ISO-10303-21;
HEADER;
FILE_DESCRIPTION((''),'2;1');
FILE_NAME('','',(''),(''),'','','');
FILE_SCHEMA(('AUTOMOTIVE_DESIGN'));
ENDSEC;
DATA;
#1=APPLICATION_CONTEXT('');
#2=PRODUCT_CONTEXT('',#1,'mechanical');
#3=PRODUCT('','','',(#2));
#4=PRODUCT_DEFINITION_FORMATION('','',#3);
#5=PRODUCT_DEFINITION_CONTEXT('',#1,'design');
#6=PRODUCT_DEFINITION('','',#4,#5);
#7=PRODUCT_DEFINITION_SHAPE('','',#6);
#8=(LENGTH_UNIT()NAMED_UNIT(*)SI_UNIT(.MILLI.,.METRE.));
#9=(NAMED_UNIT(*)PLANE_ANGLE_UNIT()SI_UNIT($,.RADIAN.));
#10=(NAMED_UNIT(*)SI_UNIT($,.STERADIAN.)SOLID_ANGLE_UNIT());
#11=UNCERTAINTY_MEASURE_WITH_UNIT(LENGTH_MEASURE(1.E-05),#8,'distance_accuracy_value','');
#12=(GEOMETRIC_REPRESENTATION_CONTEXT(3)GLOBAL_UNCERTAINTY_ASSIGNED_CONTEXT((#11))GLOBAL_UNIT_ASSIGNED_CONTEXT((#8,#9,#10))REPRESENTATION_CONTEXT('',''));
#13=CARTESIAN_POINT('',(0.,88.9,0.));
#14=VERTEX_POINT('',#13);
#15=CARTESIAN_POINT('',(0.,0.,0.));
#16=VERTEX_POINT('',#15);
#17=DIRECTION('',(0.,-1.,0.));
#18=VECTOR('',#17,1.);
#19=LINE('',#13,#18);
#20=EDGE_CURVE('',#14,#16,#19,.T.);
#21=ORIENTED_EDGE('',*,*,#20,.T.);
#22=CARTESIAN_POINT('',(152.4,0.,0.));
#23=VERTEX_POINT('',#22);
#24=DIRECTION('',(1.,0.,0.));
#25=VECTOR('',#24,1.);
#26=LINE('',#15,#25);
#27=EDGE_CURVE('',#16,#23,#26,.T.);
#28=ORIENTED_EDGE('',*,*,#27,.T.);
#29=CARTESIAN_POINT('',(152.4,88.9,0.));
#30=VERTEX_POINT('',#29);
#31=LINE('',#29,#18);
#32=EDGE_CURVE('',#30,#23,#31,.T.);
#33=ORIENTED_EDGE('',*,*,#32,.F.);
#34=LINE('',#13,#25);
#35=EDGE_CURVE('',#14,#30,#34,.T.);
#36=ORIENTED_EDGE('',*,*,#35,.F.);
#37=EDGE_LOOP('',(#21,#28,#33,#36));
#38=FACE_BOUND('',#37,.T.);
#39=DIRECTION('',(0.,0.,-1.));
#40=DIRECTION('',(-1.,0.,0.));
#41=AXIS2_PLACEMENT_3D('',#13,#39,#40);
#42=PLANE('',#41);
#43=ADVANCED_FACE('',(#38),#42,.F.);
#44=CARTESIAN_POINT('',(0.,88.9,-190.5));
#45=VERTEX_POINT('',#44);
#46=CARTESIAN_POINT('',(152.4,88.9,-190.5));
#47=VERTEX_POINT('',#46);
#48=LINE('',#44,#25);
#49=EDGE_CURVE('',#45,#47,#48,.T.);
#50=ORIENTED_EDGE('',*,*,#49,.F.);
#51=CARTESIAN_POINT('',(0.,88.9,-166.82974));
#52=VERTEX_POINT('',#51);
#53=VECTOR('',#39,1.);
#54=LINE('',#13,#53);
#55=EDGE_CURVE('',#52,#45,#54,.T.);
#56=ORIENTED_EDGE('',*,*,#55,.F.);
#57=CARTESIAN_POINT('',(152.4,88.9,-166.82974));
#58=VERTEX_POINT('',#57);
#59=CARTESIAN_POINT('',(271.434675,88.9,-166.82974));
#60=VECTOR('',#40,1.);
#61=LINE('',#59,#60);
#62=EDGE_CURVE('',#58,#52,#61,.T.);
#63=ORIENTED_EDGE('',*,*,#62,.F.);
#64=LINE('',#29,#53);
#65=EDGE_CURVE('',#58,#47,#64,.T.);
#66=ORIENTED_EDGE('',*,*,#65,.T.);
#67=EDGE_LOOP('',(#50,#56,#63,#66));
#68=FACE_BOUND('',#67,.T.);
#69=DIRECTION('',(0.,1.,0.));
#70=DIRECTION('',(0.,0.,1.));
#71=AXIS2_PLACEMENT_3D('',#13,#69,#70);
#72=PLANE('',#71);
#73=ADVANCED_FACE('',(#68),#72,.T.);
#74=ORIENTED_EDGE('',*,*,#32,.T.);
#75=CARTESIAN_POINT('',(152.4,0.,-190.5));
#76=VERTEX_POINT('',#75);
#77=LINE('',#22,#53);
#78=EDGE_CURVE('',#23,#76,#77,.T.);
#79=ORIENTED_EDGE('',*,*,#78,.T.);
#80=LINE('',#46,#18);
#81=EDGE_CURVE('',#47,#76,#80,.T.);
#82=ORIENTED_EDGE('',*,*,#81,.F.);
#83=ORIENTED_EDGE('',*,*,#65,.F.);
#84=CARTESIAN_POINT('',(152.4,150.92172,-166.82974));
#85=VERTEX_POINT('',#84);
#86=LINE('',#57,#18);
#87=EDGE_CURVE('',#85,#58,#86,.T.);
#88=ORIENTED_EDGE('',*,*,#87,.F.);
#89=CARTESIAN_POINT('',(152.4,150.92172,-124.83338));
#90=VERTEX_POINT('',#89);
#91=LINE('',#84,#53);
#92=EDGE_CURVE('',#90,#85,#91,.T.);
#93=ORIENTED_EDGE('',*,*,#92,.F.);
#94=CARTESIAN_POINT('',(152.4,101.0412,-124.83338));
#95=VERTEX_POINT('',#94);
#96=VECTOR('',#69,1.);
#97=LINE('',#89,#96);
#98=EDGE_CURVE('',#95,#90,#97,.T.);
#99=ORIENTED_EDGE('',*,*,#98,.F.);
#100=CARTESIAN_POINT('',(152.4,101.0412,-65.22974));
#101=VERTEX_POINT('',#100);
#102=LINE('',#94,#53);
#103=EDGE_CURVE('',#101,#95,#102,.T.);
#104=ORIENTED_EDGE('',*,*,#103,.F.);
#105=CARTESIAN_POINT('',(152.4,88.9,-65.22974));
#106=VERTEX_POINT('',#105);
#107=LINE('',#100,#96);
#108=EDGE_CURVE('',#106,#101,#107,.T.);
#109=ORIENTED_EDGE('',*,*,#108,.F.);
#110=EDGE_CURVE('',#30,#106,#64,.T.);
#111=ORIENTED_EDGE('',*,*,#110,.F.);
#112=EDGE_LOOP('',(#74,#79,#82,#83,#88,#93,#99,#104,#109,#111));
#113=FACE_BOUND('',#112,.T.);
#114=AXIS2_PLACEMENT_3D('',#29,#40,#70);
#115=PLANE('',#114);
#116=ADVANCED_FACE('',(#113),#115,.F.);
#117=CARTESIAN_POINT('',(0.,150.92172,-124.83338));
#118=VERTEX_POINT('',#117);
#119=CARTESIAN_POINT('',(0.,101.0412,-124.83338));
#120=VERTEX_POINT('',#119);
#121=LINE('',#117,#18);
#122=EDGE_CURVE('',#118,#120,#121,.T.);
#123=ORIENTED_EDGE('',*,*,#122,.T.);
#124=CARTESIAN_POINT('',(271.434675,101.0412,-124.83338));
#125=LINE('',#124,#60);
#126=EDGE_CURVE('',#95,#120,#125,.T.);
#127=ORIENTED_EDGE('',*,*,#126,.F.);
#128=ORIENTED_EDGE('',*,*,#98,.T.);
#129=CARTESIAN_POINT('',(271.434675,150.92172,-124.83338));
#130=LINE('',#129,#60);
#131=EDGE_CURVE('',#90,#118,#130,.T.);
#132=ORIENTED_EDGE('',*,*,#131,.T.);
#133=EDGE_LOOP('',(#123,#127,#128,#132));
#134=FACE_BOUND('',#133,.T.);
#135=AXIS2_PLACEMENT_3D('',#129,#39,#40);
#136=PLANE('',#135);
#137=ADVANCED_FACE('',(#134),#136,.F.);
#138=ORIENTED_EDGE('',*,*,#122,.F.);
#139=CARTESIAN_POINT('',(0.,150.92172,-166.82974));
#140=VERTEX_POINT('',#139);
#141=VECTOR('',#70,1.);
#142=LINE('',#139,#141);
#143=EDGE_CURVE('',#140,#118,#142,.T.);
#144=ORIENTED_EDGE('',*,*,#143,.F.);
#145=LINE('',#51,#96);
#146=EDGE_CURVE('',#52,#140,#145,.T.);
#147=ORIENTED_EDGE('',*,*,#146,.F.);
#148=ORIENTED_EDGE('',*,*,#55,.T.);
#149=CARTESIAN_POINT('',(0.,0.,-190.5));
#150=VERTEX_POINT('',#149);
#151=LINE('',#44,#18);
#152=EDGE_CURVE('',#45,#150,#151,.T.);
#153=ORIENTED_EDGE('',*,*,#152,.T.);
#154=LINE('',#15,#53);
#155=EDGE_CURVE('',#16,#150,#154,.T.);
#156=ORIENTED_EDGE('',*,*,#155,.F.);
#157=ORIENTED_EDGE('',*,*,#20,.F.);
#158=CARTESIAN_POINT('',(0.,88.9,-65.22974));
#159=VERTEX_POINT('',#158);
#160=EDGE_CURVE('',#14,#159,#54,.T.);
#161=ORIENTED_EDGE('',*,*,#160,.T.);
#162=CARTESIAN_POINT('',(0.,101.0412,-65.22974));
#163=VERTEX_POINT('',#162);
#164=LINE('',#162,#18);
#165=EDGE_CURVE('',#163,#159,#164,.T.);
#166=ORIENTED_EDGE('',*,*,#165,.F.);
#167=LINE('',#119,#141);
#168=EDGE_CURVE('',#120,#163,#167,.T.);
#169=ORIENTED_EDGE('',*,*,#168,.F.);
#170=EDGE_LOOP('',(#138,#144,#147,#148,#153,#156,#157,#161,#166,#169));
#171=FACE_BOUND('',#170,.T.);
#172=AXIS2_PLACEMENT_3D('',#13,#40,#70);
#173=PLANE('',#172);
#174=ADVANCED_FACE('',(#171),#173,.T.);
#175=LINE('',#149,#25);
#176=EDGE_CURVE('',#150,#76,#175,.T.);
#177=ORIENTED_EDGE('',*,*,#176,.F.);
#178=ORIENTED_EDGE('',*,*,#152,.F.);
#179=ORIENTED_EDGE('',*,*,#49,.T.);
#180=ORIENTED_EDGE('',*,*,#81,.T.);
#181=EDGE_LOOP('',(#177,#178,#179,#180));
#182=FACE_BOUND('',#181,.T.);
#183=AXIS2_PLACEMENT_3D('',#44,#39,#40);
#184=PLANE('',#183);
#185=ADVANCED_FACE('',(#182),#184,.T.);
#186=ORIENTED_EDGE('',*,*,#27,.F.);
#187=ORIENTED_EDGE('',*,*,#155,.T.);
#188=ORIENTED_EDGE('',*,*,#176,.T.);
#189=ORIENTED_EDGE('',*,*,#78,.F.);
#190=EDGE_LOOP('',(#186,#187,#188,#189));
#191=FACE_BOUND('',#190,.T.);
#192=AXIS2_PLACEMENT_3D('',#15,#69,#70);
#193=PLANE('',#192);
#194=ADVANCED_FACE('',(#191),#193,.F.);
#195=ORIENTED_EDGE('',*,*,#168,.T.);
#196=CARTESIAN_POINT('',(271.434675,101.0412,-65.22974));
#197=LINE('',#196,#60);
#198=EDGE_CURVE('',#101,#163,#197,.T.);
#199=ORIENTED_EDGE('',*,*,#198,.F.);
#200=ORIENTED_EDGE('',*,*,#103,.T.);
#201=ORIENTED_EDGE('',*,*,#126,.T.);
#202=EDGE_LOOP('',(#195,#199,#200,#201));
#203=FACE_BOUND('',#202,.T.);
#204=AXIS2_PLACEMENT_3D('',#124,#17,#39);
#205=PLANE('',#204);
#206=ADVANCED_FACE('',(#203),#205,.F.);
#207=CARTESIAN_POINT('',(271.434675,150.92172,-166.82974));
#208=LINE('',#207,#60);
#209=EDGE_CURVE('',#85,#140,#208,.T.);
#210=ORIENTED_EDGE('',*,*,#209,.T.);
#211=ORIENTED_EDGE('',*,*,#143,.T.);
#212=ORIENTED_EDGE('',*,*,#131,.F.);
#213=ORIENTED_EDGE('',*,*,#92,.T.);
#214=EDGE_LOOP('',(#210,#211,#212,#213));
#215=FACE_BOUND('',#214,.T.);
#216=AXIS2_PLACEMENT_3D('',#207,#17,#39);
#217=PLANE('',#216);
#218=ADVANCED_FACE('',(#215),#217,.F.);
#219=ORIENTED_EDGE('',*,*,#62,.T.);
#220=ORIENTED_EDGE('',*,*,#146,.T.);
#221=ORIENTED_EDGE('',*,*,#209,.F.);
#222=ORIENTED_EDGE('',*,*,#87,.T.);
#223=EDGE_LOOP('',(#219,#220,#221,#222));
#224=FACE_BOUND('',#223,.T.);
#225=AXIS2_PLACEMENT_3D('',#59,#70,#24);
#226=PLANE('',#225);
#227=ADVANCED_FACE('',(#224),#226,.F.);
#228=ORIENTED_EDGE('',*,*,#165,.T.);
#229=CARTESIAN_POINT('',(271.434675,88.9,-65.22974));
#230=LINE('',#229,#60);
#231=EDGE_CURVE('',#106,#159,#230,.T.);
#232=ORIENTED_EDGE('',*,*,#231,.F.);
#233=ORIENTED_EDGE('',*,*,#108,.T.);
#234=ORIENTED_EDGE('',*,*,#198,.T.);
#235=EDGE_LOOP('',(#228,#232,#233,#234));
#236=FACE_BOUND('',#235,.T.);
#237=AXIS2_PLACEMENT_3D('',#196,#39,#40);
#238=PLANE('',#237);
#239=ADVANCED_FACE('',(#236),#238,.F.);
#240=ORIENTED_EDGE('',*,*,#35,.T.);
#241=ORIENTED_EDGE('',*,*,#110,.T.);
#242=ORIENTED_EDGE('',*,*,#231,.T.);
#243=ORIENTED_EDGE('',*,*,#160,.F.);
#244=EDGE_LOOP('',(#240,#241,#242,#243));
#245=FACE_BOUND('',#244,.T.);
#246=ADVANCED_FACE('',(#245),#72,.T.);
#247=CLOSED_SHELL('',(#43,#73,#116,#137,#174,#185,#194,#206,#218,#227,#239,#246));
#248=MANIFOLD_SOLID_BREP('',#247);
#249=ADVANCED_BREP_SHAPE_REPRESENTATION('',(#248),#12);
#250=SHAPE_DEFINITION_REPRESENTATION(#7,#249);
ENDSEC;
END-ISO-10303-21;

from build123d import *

# Parameters (mm, degrees)
SKETCH1_W           = 152.4
SKETCH1_H           = 190.5
BOSS_EXTRUDE1_DEPTH = 88.9
BOSS_EXTRUDE2_DEPTH = 152.4


with BuildPart() as part:
    # Sketch1 → Boss-Extrude1 (new body)
    with BuildSketch(Plane(origin=(0, 0, 0), x_dir=(1, 0, 0), z_dir=(0, 1, 0))):
        with Locations((76.2, 95.25)):
            Rectangle(SKETCH1_W, SKETCH1_H)
    extrude(amount=BOSS_EXTRUDE1_DEPTH)

    # Sketch2 → Boss-Extrude2 (add)
    with BuildSketch(Plane(origin=(0, 0, 0), x_dir=(0, 0, -1), z_dir=(1, 0, 0))):
        Polygon((65.22974, 88.9), (166.82974, 88.9), (166.82974, 150.92172), (124.83338, 150.92172), (124.83338, 101.0412), (65.22974, 101.0412), align=None)
    extrude(amount=BOSS_EXTRUDE2_DEPTH)


solid = part.part
